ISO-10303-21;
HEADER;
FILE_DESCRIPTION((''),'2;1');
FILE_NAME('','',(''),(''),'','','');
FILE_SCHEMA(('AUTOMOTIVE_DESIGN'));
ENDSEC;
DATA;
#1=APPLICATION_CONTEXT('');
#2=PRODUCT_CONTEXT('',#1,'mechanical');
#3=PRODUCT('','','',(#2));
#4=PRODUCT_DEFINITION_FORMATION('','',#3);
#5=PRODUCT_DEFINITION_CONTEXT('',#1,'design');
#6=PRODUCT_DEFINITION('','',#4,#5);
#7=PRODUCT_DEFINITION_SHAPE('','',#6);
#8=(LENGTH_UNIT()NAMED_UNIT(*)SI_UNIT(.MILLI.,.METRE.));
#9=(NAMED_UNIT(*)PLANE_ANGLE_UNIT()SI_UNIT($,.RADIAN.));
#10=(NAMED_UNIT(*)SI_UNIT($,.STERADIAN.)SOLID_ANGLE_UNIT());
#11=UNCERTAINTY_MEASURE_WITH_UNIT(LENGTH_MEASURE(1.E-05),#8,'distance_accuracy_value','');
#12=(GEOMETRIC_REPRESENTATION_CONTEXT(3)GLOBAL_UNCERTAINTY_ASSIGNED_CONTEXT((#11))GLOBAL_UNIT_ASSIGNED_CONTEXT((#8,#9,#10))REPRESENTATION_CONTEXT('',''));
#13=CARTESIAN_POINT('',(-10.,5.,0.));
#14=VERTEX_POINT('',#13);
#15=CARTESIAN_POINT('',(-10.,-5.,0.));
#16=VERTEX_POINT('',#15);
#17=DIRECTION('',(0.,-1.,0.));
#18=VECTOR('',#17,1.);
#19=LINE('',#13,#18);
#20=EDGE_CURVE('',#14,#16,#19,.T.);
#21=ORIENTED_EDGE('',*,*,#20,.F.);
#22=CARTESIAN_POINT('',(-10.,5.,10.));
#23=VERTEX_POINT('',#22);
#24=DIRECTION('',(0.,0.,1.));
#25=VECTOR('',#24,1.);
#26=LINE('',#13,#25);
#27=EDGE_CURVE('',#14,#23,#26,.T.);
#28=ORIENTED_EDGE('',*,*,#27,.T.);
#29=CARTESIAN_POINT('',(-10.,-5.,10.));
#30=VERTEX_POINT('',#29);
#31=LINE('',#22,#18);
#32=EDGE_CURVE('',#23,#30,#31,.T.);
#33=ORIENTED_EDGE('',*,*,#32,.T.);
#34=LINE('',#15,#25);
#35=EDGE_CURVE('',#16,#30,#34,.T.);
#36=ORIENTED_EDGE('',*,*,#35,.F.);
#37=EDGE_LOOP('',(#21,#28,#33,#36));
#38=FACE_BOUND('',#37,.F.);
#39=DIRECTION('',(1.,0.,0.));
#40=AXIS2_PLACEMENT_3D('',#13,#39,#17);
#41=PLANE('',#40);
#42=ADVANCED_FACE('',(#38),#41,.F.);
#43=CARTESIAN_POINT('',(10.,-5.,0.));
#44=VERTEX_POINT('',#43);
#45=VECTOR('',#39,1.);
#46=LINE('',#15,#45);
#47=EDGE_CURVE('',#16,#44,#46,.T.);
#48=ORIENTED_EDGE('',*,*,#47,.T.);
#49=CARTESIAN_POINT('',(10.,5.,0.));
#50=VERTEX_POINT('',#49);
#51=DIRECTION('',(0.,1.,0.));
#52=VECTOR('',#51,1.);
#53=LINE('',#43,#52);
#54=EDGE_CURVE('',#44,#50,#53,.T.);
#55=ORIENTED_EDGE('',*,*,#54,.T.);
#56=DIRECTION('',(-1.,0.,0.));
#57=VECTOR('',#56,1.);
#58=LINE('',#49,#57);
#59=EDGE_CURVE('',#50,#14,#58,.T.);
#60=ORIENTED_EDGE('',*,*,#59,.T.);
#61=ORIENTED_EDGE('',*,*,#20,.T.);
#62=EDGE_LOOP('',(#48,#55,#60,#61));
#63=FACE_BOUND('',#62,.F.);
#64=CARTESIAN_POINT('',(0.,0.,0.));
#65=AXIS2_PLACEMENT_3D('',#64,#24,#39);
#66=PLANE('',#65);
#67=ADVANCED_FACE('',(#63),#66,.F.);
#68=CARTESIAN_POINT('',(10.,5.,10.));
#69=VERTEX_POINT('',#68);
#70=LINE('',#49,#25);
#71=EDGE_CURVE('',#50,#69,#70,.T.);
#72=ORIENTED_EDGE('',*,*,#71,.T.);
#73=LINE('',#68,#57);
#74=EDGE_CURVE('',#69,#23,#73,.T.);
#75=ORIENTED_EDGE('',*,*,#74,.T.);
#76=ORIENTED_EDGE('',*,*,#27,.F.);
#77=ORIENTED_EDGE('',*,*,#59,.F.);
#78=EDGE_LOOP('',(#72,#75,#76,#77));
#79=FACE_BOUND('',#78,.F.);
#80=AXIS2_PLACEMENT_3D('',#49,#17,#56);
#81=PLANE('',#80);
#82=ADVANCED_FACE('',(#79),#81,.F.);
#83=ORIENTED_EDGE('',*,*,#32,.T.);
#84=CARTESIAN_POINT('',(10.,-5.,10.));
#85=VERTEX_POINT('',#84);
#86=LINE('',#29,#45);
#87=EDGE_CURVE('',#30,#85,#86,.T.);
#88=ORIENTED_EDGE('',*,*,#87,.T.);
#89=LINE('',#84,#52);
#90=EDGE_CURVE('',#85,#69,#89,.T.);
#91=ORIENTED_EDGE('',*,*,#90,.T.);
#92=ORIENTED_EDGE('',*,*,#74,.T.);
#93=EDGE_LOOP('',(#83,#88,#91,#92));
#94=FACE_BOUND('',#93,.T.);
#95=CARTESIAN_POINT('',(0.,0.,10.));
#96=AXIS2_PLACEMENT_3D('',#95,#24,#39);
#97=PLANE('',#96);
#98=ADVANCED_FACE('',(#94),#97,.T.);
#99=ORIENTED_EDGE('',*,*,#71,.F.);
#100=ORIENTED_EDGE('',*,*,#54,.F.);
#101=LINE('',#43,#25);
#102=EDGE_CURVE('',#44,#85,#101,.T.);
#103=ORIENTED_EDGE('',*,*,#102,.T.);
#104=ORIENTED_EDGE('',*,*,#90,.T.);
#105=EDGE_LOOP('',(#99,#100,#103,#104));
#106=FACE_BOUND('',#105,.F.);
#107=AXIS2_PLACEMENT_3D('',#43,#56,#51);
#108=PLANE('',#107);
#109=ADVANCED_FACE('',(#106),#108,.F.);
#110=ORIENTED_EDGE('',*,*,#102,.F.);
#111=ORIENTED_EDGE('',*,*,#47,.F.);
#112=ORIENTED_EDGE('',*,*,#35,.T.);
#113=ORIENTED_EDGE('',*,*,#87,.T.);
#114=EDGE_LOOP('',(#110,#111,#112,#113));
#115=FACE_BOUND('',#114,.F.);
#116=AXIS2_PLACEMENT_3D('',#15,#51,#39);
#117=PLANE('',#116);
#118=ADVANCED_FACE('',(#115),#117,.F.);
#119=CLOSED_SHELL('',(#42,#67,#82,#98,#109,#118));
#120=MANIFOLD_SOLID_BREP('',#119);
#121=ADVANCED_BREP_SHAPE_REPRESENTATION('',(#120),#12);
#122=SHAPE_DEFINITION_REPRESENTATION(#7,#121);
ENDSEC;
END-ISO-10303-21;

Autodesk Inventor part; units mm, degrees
ref_plane "YZ Plane" through (0, 0, 0) normal (1, 0, 0) x (0, 1, 0)
ref_plane "XZ Plane" through (0, 0, 0) normal (0, 1, 0) x (-1, 0, 0)
ref_plane "XY Plane" through (0, 0, 0) normal (0, 0, 1) x (1, 0, 0)
sketch "Skizze1" plane through (0, 0, 0) normal (0, 0, 1) x (1, 0, 0)
  line L0 (-10, -5) -> (10, -5)
  line L1 (10, -5) -> (10, 5)
  line L2 (10, 5) -> (-10, 5)
  line L3 (-10, 5) -> (-10, -5)
  line L4 (-10, -5) -> (10, 5) construction
  line L5 (10, -5) -> (-10, 5) construction
  point P0 (0, 0)
  dimension "d0" = 20
  dimension "d1" = 10
extrude "Extrusion1" add sketch "Skizze1" along normal blind 10
properties part number "Gelpad 20x10x10" material "Gummi, Silikon"
